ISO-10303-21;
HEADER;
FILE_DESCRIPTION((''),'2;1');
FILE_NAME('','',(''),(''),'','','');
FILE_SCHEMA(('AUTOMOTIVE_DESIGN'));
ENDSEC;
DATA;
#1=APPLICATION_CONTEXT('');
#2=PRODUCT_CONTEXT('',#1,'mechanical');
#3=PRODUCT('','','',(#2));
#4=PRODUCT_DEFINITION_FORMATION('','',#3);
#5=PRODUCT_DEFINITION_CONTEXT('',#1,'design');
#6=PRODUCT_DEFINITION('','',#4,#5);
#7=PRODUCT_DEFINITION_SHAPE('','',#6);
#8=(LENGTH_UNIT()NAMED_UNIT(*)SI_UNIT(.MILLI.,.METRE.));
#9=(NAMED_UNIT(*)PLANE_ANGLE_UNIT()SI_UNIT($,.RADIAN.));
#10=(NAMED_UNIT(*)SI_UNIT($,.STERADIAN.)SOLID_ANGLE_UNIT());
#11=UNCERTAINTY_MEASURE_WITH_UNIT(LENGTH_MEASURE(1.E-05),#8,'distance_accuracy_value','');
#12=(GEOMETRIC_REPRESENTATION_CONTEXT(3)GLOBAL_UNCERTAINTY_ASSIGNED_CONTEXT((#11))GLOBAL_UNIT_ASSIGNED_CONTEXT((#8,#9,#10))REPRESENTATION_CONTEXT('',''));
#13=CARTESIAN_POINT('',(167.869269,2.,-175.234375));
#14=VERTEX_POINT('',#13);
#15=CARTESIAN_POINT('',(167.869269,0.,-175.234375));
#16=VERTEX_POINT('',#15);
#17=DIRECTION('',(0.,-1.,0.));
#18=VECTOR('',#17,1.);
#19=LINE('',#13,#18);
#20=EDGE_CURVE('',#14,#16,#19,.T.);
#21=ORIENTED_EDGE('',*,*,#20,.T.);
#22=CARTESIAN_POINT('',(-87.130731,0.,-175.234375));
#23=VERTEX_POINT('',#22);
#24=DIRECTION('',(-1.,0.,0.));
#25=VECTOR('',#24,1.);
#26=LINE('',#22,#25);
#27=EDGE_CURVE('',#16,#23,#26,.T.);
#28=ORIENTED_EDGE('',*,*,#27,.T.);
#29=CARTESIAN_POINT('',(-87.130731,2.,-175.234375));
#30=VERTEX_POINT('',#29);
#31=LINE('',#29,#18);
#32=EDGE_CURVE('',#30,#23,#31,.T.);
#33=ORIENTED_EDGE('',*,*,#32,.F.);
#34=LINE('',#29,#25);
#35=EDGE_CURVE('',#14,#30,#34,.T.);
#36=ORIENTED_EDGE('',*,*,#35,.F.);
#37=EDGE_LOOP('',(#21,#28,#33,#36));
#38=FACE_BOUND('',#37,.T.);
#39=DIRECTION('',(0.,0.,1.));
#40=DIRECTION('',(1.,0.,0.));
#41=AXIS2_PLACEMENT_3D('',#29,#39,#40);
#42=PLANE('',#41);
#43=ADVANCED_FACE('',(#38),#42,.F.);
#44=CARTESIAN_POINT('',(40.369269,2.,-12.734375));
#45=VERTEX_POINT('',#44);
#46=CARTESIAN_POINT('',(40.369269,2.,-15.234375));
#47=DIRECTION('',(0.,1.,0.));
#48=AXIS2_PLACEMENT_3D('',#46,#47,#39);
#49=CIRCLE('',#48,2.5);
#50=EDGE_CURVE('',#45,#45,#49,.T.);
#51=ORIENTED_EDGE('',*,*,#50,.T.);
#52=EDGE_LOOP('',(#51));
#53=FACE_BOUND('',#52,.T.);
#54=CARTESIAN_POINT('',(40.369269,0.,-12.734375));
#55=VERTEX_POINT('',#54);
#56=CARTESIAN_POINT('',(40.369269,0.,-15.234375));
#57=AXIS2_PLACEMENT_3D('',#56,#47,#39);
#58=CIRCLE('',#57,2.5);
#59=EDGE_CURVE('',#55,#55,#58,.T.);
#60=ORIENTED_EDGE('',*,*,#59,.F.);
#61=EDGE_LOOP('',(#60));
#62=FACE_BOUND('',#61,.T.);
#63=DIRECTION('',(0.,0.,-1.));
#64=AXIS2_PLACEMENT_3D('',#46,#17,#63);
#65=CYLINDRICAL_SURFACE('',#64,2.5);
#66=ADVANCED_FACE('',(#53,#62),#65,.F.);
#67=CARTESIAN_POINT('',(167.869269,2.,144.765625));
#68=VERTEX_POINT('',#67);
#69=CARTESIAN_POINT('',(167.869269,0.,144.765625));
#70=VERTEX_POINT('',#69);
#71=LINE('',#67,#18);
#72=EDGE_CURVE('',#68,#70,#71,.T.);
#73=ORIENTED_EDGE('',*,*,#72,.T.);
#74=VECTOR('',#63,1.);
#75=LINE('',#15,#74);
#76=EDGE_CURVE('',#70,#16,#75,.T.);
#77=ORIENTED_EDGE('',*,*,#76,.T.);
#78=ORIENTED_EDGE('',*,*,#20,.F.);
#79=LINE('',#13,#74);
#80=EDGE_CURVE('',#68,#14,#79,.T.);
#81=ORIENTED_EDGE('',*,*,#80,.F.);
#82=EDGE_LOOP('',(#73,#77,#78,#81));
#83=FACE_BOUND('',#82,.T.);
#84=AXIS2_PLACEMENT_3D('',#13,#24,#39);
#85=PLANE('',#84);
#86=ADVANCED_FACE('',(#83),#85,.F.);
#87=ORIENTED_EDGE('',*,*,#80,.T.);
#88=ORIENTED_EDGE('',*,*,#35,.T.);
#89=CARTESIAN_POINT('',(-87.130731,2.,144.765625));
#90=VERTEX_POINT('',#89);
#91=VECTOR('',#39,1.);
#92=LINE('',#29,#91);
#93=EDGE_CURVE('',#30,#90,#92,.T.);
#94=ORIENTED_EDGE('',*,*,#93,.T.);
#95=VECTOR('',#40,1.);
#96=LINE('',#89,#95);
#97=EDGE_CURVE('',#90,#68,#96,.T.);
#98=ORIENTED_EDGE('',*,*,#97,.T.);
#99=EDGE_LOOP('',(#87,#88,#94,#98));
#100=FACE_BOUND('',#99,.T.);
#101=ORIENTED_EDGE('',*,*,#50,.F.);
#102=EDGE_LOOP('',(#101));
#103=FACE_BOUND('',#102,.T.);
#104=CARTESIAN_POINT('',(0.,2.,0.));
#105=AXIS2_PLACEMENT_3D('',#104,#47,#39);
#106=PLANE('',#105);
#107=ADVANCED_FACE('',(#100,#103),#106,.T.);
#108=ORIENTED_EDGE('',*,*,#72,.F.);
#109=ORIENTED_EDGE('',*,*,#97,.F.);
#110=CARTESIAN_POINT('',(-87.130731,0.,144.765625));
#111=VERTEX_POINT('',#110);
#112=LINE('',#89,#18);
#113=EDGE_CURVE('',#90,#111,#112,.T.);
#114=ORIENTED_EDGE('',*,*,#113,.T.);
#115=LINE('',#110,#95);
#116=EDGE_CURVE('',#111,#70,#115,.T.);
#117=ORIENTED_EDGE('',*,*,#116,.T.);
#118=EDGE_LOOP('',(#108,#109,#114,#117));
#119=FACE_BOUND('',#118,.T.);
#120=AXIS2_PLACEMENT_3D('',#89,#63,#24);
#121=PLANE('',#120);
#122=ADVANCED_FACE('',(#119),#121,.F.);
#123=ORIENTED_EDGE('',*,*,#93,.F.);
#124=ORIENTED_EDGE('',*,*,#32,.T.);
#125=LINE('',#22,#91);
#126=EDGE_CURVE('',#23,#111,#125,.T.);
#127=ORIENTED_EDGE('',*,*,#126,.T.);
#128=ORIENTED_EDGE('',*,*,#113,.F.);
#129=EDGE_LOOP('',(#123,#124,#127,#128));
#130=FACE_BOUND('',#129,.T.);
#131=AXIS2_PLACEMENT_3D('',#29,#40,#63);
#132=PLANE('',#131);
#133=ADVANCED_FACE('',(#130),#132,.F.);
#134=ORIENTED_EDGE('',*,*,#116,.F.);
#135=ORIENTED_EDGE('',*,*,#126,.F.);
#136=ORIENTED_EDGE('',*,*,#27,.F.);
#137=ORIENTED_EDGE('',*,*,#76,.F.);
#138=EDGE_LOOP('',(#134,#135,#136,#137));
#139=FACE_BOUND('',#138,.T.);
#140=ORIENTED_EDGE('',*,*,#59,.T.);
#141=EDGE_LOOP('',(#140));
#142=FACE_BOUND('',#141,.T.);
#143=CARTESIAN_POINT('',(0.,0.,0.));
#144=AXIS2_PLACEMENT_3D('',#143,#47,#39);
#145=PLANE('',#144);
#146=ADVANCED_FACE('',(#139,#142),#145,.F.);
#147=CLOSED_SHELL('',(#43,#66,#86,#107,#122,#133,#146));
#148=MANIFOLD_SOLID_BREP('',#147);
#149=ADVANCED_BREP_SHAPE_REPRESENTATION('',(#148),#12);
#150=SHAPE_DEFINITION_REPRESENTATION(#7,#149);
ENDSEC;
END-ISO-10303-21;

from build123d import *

# Parameters (mm, degrees)
SKETCH1_W           = 255
SKETCH1_H           = 320
SKETCH1_R           = 2.5
BOSS_EXTRUDE1_DEPTH = 2


with BuildPart() as part:
    # Sketch1 → Boss-Extrude1 (new body)
    with BuildSketch(Plane(origin=(0, 0, 0), x_dir=(1, 0, 0), z_dir=(0, 1, 0))):
        with Locations((40.369268573, 15.234375)):
            Rectangle(SKETCH1_W, SKETCH1_H)
        with Locations((40.369268573, 15.234375)):
            Circle(SKETCH1_R, mode=Mode.SUBTRACT)
    extrude(amount=BOSS_EXTRUDE1_DEPTH)


solid = part.part
